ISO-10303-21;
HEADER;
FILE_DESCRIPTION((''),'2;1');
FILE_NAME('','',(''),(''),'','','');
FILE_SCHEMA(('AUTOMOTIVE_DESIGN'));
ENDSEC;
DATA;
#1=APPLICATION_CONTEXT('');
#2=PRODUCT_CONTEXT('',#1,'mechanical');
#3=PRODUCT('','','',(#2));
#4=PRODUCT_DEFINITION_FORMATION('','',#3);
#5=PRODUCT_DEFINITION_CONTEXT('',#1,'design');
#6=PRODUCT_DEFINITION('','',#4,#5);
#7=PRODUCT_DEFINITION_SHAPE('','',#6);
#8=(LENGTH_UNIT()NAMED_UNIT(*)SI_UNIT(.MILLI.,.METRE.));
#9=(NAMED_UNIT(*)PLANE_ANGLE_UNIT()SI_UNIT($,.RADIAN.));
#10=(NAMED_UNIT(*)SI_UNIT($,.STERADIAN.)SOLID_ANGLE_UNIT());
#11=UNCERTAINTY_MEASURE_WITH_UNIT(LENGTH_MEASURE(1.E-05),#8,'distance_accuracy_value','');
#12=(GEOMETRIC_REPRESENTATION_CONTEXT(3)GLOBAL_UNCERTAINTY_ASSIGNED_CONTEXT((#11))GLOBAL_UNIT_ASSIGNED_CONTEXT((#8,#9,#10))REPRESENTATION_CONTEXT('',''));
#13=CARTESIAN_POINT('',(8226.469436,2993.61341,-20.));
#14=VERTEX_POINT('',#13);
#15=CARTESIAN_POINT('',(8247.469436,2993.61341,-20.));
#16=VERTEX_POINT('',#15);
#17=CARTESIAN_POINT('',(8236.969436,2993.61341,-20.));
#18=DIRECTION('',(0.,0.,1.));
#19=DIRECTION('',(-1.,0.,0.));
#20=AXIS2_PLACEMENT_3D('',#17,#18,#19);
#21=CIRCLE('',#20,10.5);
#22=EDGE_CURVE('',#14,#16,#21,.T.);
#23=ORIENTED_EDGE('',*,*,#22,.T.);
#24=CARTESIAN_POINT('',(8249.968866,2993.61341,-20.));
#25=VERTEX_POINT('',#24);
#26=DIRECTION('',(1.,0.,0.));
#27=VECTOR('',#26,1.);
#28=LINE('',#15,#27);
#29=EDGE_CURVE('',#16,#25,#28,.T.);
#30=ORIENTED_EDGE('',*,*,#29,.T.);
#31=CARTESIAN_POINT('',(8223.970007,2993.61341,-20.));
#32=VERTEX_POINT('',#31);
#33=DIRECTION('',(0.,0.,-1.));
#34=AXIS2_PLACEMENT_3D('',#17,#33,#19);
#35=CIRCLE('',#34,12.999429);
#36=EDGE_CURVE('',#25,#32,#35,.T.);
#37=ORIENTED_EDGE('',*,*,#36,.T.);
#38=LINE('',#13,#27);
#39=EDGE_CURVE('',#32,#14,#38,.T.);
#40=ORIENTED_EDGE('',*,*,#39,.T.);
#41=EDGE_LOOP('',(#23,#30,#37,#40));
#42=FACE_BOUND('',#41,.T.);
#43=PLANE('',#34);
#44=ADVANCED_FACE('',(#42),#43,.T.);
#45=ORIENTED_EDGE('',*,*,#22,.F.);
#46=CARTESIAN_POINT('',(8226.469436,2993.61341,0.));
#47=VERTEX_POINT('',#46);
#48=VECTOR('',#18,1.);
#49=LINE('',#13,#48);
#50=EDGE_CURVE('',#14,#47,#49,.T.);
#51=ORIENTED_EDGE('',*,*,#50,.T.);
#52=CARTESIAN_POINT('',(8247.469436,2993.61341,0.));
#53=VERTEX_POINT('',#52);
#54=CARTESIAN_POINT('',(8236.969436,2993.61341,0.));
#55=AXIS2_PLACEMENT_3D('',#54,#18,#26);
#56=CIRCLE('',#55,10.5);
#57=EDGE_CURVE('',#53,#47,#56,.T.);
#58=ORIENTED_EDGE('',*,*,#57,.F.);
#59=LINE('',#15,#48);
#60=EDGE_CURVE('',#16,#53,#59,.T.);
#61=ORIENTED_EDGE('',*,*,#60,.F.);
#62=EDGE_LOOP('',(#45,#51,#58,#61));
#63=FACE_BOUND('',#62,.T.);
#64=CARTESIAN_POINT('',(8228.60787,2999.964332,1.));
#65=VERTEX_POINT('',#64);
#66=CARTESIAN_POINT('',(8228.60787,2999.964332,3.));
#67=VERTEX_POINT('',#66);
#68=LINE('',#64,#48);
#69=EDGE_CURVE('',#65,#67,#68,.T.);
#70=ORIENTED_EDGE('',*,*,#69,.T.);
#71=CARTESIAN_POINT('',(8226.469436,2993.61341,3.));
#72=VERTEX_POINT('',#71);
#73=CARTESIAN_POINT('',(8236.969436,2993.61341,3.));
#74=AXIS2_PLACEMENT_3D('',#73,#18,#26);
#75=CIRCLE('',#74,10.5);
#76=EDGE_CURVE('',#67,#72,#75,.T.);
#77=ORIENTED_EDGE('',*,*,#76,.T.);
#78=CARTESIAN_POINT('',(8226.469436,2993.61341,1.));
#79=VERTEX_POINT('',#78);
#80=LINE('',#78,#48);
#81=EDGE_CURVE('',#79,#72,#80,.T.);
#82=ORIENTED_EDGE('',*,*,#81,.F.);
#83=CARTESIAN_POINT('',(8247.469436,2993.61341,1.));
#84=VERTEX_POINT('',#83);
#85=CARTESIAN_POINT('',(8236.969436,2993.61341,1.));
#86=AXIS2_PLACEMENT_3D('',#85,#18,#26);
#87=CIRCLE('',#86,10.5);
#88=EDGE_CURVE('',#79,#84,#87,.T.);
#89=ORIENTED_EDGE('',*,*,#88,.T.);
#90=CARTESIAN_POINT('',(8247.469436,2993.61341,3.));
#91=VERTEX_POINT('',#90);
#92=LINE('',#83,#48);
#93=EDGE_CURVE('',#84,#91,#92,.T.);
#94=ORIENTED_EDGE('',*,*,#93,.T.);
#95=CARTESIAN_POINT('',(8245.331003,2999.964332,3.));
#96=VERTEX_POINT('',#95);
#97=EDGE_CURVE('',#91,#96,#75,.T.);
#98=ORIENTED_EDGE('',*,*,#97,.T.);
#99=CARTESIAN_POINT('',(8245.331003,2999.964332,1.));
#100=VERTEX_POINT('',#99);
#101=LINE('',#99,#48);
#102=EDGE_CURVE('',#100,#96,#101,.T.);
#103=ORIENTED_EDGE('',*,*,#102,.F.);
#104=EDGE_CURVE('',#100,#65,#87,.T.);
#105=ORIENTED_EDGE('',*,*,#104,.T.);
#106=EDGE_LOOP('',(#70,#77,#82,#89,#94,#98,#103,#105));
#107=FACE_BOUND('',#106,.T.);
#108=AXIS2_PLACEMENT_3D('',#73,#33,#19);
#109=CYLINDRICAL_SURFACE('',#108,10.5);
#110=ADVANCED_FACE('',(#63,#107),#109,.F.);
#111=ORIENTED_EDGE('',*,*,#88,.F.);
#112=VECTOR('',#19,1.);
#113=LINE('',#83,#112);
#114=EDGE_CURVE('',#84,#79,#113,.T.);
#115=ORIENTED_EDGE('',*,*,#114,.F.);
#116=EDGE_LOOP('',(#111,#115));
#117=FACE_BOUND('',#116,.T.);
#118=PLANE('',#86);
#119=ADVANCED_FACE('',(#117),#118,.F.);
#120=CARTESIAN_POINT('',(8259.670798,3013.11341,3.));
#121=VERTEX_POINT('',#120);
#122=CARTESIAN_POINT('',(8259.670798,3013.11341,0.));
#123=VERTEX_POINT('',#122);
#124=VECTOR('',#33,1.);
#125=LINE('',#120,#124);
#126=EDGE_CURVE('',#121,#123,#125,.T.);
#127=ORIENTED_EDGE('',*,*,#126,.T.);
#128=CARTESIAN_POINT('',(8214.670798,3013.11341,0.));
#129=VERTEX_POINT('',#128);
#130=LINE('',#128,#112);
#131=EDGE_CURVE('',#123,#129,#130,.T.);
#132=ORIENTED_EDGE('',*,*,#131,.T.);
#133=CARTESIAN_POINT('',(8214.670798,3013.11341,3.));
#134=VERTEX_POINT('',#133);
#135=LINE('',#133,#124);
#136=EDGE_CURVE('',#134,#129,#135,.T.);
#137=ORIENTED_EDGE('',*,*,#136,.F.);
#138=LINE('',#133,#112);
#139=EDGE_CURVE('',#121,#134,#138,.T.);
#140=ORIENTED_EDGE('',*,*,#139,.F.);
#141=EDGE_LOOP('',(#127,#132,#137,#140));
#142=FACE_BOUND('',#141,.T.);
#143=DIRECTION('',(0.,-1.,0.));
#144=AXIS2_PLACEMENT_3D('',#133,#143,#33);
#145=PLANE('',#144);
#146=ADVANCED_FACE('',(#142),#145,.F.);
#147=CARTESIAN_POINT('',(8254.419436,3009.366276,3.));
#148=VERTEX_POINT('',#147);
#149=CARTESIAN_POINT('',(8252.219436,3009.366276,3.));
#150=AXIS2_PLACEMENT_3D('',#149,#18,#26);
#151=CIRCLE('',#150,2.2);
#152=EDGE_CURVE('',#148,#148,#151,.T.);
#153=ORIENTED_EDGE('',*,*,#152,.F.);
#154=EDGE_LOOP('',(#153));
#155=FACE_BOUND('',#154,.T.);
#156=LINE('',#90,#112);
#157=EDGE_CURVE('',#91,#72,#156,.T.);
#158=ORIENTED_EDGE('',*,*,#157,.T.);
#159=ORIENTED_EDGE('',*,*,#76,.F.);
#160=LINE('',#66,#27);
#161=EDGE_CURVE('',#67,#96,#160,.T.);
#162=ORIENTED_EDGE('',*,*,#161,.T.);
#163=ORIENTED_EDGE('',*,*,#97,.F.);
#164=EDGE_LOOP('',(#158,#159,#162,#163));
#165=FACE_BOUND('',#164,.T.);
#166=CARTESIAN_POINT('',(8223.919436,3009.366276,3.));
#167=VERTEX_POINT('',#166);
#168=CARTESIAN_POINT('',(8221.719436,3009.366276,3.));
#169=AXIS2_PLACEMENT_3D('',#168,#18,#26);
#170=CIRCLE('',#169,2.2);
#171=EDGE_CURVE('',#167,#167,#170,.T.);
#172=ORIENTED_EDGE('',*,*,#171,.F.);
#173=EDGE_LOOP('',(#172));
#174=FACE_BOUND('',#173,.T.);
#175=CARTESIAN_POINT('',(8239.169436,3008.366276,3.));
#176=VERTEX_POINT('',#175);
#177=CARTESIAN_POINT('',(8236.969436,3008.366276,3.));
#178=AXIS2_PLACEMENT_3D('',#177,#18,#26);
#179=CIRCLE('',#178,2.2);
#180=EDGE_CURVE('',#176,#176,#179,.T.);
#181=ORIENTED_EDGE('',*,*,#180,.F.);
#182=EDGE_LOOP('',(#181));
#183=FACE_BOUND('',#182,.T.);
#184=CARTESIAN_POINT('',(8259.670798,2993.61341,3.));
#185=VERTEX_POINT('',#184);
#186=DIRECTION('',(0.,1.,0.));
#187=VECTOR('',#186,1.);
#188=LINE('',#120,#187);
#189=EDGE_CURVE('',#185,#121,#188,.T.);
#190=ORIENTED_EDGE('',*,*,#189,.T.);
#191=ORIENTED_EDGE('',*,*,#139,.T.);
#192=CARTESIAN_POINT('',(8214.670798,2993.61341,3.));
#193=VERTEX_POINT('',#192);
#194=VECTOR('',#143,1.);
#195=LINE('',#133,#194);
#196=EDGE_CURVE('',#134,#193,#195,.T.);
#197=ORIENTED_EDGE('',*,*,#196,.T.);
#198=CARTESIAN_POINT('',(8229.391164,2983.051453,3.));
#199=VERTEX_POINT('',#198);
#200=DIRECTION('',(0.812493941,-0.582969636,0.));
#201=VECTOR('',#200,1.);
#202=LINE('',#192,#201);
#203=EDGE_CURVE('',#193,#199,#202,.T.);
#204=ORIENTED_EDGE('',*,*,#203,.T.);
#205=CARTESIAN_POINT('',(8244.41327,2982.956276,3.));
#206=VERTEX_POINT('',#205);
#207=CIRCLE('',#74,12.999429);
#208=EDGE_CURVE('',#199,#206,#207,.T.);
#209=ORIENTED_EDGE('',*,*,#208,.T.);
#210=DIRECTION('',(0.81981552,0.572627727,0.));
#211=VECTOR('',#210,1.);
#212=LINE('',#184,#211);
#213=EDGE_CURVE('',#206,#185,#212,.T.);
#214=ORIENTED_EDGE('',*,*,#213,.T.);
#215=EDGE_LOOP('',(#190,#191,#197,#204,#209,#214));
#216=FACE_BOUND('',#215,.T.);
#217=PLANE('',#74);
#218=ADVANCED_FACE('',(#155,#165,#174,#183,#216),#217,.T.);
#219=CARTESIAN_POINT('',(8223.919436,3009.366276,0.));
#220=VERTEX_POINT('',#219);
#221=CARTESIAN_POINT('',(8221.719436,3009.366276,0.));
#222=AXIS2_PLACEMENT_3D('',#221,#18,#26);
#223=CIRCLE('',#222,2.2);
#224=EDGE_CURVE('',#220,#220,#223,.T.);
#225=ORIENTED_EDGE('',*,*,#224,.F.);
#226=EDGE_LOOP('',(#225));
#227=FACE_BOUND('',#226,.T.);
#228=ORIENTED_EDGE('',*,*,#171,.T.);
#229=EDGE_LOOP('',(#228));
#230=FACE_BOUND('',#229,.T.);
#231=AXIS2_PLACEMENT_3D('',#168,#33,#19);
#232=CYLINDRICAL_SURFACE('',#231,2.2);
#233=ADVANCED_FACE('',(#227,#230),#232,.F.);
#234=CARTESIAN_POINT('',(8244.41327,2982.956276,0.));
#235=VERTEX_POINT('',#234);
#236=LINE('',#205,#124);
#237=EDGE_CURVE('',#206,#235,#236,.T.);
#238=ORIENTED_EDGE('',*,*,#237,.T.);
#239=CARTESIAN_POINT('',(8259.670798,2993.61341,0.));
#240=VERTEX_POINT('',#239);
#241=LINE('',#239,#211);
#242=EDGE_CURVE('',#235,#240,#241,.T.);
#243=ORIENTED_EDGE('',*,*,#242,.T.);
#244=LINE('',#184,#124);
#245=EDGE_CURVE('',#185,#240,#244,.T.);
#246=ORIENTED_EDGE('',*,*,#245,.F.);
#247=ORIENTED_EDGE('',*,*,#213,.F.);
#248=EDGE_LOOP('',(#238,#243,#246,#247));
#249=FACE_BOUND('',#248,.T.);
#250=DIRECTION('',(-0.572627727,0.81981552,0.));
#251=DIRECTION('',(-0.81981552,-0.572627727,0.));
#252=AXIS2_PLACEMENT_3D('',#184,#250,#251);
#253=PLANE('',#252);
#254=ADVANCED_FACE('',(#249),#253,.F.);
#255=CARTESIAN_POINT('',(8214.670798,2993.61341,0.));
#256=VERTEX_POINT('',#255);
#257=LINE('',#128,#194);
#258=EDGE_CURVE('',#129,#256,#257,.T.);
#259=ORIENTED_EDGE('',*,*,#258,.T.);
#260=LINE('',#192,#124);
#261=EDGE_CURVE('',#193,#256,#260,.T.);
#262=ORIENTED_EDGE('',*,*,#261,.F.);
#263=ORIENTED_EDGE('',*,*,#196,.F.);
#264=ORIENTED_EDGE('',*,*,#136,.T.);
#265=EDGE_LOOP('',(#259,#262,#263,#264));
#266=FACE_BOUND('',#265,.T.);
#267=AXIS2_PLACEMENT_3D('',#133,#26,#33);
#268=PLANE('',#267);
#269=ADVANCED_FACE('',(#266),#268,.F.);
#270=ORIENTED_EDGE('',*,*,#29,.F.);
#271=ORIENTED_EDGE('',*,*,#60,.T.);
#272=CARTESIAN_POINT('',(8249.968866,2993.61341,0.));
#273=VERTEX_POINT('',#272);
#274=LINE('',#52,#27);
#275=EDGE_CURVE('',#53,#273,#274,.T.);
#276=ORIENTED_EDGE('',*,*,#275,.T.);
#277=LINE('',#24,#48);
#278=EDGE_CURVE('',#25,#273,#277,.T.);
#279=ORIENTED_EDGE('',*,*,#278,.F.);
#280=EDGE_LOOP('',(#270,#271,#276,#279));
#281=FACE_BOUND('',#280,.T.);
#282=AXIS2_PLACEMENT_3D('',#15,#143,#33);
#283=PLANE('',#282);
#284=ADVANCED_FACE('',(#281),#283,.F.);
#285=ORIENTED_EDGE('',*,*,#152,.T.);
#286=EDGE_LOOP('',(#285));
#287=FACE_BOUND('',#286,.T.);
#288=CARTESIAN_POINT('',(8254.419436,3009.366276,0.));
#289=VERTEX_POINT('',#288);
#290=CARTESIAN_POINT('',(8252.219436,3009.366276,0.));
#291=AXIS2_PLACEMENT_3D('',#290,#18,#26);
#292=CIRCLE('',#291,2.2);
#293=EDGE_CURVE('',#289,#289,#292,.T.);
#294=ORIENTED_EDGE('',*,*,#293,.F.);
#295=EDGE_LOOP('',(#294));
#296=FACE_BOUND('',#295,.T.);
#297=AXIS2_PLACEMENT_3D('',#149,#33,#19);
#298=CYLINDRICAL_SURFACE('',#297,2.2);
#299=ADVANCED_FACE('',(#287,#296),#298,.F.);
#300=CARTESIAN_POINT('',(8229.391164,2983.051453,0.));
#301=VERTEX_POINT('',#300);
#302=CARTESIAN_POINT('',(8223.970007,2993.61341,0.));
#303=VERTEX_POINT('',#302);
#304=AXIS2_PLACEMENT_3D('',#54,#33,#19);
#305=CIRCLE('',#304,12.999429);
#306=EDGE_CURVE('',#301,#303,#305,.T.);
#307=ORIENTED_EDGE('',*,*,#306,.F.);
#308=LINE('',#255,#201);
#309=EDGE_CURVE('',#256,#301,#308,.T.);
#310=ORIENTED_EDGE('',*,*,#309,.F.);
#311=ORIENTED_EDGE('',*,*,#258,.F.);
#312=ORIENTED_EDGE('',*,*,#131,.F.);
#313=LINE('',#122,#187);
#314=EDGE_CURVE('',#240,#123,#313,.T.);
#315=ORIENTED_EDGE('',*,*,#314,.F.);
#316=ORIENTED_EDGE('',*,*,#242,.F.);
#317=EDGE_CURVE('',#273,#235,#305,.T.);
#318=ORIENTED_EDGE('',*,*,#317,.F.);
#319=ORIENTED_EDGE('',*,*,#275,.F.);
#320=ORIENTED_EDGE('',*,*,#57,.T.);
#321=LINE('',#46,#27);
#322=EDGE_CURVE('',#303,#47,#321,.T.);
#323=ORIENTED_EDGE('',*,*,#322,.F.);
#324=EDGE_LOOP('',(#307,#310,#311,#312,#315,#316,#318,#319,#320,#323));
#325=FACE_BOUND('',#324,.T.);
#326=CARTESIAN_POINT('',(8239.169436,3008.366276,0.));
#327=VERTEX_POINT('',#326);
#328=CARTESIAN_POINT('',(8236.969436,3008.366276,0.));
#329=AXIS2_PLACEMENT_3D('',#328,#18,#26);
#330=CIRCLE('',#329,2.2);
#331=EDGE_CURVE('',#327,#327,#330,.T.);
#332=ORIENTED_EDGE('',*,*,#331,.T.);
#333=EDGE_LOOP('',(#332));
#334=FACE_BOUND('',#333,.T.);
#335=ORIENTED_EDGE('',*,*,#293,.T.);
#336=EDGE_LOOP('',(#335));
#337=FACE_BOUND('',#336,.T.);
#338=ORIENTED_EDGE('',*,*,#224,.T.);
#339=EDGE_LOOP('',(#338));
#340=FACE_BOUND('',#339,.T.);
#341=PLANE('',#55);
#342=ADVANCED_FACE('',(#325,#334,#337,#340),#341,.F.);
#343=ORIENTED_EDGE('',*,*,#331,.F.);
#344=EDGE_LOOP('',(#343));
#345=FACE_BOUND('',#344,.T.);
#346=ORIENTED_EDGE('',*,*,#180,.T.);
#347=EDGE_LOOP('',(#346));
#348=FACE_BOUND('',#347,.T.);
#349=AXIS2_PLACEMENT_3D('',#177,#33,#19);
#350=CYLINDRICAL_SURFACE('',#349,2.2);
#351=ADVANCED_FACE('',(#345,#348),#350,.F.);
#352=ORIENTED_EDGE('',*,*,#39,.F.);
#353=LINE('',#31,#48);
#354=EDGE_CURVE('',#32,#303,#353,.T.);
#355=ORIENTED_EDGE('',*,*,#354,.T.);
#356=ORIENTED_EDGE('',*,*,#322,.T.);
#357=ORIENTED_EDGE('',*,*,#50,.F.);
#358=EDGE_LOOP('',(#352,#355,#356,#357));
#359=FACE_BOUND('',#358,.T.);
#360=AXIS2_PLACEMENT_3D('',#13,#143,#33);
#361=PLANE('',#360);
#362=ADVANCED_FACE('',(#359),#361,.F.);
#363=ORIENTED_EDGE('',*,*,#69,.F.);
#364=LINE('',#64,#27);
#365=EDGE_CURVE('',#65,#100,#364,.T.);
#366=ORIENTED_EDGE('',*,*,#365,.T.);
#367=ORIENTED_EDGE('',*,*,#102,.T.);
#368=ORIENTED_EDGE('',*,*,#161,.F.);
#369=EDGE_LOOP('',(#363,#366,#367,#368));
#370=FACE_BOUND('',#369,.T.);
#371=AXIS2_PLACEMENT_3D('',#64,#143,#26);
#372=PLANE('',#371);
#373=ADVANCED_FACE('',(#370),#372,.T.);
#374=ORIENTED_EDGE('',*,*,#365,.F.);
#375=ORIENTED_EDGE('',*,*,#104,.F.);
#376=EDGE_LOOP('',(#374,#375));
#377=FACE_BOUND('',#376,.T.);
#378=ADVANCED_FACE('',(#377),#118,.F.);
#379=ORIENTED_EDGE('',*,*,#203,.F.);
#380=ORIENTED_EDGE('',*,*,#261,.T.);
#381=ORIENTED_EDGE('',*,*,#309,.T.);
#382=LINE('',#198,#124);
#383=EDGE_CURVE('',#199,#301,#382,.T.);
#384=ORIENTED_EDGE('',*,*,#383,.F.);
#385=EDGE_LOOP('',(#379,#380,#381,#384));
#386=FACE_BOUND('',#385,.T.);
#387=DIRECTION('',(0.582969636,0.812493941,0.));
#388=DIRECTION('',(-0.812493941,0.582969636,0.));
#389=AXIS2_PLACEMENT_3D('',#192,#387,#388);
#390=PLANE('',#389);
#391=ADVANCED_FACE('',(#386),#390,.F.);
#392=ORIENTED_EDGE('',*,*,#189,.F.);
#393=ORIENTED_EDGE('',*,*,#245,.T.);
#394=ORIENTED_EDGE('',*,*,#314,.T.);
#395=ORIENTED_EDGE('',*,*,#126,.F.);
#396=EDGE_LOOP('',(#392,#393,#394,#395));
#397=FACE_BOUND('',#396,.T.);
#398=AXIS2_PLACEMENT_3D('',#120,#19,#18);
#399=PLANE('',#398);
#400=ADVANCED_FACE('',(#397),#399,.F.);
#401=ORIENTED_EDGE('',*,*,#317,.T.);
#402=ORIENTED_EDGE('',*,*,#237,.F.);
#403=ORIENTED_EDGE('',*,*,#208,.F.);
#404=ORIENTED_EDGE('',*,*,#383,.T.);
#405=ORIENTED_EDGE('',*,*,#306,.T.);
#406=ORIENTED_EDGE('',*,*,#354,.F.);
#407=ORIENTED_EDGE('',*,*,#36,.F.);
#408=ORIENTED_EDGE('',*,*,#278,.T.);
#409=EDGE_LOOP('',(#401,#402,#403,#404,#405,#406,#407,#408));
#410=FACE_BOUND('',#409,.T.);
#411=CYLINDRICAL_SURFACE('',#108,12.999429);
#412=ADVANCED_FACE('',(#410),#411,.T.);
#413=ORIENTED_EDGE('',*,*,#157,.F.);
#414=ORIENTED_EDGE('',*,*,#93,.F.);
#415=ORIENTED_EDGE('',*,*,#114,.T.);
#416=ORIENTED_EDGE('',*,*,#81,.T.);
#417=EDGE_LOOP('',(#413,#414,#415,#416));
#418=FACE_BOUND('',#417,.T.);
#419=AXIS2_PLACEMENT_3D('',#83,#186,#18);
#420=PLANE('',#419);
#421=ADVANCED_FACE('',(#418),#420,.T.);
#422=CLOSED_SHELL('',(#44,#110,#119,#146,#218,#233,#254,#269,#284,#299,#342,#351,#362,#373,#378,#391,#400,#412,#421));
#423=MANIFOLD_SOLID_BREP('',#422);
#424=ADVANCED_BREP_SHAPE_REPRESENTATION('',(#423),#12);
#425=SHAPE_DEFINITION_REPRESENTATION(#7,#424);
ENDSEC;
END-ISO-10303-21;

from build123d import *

# Parameters (mm, degrees)
SKETCH_2_R      = 10.5
SKETCH_2_R_2    = 2.2
EXTRUDE_1_DEPTH = 3
EXTRUDE_START   = -2
EXTRUDE_3_DEPTH = 2
EXTRUDE_START_2 = 20
EXTRUDE_5_DEPTH = 20


with BuildPart() as part:
    # 草图2 → 凸台-拉伸1 (new body)
    with BuildSketch(Plane.XY):
        with BuildLine():
            Line((8214.670798087, 3013.113410171), (8259.670798087, 3013.113410171))
            Line((8259.670798087, 3013.113410171), (8259.670798087, 2993.613410171))
            Line((8259.670798087, 2993.613410171), (8244.413270011, 2982.956276447))
            ThreePointArc((8244.413270011, 2982.956276447), (8236.88707696, 2980.614241973), (8229.391164024, 2983.051452794))
            Line((8229.391164024, 2983.051452794), (8214.670798087, 2993.613410171))
            Line((8214.670798087, 2993.613410171), (8214.670798087, 3013.113410171))
        make_face()
        with Locations((8236.969436473, 2993.613410171)):
            Circle(SKETCH_2_R, mode=Mode.SUBTRACT)
        with Locations((8236.969436473, 3008.366275847)):
            Circle(SKETCH_2_R_2, mode=Mode.SUBTRACT)
        with Locations((8221.719436473, 3009.366275847)):
            Circle(SKETCH_2_R_2, mode=Mode.SUBTRACT)
        with Locations((8252.219436473, 3009.366275847)):
            Circle(SKETCH_2_R_2, mode=Mode.SUBTRACT)
    extrude(amount=EXTRUDE_1_DEPTH)

    # 草图3 → 凸台-拉伸3 (add)
    with BuildSketch(Plane.XY.offset(3).offset(EXTRUDE_START)):
        with BuildLine():
            Line((8247.469436473, 2993.613410171), (8226.469436473, 2993.613410171))
            ThreePointArc((8226.469436473, 2993.613410171), (8236.969436473, 2983.113410171), (8247.469436473, 2993.613410171))
        make_face()
        with BuildLine():
            Line((8228.607869965, 2999.9643318), (8245.331002981, 2999.9643318))
            ThreePointArc((8245.331002981, 2999.9643318), (8236.969436473, 3004.113410171), (8228.607869965, 2999.9643318))
        make_face()
    extrude(amount=EXTRUDE_3_DEPTH)

    # 草图5 → 凸台-拉伸5 (add)
    with BuildSketch(Plane(origin=(0, 0, 0), x_dir=(-1, 0, 0), z_dir=(0, 0, -1)).offset(EXTRUDE_START_2)):
        with BuildLine():
            Line((-8247.469436473, 2993.613410171), (-8249.968865573, 2993.613410171))
            ThreePointArc((-8249.968865573, 2993.613410171), (-8236.969436473, 2980.61398107), (-8223.970007373, 2993.613410171))
            Line((-8223.970007373, 2993.613410171), (-8226.469436473, 2993.613410171))
            ThreePointArc((-8226.469436473, 2993.613410171), (-8236.969436473, 2983.113410171), (-8247.469436473, 2993.613410171))
        make_face()
    extrude(amount=-EXTRUDE_5_DEPTH)


solid = part.part
